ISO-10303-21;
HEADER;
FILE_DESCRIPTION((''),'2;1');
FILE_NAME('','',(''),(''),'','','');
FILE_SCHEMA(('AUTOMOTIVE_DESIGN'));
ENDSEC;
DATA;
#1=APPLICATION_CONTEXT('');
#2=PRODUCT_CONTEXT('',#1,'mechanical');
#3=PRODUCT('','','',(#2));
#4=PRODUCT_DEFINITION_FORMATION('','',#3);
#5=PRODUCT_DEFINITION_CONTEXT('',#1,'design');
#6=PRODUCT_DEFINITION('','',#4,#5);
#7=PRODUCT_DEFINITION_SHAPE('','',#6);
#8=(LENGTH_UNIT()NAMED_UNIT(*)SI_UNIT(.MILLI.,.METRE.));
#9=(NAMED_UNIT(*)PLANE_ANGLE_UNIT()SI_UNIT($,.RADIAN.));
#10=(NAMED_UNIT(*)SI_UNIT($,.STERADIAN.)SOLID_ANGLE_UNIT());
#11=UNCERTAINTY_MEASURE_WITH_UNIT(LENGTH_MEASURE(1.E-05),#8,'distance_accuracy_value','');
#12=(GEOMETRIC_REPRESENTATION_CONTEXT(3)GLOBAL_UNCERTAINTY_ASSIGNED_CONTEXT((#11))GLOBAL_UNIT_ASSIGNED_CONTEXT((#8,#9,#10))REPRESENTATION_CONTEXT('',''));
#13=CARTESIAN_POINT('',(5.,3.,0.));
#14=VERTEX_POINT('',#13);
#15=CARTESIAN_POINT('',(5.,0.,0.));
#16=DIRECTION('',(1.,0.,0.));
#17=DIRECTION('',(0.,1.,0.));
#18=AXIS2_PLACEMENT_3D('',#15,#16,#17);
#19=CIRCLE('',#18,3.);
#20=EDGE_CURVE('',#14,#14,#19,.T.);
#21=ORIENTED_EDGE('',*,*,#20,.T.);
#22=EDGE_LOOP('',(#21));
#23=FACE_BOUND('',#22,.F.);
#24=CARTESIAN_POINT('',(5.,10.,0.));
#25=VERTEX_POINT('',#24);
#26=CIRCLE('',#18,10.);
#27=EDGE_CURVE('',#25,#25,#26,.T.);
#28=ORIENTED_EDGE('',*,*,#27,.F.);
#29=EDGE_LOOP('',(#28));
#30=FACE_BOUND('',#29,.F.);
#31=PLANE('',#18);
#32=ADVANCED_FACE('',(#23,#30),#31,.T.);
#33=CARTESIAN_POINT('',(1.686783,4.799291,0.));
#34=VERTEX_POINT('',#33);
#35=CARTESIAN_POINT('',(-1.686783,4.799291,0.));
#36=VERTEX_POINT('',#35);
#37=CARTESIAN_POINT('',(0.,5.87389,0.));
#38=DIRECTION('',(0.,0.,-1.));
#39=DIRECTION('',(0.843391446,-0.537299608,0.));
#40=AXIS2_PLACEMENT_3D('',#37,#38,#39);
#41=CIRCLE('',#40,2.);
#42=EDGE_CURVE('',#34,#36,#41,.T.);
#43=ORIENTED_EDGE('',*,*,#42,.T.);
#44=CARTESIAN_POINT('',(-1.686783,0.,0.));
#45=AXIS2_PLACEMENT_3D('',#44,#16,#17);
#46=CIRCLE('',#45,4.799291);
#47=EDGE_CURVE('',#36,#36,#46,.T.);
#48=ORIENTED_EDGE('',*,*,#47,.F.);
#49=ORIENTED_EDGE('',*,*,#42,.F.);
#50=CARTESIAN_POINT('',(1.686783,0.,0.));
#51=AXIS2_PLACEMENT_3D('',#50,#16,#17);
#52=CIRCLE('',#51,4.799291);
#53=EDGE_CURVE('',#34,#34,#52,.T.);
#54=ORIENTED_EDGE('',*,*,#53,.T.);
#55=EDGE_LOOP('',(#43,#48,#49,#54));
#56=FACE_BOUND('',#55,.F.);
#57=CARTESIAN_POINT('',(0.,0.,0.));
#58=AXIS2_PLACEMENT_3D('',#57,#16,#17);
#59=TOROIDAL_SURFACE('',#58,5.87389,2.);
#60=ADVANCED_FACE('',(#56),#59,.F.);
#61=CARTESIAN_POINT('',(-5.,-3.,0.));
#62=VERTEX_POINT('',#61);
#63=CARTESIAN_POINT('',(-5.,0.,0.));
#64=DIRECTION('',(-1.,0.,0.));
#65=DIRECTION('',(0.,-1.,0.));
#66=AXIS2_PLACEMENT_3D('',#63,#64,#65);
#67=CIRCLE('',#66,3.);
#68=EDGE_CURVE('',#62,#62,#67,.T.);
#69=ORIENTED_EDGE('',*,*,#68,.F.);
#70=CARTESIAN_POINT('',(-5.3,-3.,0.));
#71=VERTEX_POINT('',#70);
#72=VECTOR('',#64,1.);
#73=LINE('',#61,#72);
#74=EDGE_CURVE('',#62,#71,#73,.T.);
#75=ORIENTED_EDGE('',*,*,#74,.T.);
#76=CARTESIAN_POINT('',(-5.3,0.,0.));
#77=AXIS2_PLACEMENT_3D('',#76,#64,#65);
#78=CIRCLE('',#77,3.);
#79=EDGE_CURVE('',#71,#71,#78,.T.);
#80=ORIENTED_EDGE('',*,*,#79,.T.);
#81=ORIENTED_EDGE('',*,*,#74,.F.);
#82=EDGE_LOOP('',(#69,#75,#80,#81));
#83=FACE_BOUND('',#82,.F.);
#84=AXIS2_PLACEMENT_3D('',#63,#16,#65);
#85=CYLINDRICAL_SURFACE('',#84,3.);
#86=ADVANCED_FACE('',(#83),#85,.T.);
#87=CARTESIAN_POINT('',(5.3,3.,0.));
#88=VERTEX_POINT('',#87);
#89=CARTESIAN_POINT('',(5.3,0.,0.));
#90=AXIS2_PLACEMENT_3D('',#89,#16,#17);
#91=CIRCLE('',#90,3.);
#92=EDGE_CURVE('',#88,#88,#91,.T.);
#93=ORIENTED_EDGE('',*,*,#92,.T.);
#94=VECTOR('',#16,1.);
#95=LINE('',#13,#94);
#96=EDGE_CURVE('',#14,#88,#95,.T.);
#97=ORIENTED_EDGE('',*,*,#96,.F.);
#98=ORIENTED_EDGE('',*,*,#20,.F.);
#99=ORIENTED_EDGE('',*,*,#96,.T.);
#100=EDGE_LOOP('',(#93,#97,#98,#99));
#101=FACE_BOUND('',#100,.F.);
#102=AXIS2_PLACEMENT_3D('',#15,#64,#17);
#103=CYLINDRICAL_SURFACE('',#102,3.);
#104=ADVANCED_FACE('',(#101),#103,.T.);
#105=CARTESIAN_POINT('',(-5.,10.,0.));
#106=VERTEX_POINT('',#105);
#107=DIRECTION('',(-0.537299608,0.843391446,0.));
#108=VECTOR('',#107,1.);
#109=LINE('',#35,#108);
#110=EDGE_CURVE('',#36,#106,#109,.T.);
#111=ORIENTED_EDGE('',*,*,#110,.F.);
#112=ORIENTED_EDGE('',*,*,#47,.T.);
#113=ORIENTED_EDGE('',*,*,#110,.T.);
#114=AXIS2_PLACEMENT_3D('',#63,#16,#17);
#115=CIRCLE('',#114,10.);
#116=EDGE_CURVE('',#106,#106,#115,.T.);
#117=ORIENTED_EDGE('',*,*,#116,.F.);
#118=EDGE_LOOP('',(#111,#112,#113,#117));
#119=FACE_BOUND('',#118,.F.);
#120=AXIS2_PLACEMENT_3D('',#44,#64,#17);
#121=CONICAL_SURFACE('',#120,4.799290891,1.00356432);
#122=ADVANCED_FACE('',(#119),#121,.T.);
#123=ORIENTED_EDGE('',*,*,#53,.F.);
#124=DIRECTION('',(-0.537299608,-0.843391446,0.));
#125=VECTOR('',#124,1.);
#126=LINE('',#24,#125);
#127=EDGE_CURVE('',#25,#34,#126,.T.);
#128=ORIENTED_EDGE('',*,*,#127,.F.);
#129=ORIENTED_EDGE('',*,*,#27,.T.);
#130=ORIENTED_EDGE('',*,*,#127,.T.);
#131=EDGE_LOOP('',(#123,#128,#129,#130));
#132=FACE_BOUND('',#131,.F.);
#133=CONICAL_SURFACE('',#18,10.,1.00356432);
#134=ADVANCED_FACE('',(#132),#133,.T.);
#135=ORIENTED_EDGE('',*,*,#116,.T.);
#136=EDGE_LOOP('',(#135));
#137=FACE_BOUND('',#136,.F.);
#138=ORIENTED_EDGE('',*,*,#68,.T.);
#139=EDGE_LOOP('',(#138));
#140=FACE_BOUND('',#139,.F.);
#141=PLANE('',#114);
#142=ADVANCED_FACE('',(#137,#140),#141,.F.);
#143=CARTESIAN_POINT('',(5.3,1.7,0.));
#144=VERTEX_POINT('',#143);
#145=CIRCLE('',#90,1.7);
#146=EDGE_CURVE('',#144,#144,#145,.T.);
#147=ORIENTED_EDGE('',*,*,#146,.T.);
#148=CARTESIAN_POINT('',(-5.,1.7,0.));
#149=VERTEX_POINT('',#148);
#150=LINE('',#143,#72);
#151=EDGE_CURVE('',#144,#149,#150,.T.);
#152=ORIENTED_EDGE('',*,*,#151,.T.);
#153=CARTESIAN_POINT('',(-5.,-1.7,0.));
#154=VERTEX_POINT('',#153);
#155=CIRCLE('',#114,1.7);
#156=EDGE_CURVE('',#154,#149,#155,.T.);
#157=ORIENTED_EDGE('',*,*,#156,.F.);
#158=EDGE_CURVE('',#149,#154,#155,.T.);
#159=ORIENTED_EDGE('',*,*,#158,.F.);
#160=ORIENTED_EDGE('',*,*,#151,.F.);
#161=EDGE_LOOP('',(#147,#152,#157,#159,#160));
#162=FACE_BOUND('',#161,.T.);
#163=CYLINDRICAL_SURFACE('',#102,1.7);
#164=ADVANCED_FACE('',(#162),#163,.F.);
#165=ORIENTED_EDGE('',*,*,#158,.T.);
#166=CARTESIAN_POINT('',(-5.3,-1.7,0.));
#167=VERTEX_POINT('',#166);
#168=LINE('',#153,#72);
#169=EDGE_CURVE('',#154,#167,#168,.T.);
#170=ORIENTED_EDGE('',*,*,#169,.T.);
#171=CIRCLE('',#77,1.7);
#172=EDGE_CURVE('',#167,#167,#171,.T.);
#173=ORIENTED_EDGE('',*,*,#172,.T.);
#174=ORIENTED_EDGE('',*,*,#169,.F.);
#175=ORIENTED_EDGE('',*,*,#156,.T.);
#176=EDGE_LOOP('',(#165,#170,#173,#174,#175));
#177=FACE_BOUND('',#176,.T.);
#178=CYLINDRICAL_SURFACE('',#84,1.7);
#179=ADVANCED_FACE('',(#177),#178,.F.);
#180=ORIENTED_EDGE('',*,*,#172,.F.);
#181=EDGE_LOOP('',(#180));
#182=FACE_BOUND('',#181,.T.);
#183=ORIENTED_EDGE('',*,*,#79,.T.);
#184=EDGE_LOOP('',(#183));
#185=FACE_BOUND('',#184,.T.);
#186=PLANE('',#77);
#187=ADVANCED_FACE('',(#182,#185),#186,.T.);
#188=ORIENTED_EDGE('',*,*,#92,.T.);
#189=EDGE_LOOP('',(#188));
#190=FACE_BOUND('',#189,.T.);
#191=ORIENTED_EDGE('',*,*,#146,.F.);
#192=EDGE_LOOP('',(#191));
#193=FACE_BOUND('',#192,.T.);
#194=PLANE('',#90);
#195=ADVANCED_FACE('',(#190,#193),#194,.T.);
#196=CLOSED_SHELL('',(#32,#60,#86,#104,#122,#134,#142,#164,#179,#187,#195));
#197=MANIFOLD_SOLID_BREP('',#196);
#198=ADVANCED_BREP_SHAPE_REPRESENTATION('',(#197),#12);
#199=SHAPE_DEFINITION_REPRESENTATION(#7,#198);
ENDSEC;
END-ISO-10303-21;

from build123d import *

# Parameters (mm, degrees)
F3_ANGLE = 90
F4_R     = 3
F4_R_2   = 1.7
F5_DEPTH = 0.3
F6_R     = 3
F6_R_2   = 1.7
F7_DEPTH = 0.3


with BuildPart() as f2:
    # F0 (on Front) → F2 (revolve)
    with BuildSketch(Plane.XZ):
        with BuildLine():
            Line((-5, 10), (-5, 1.7))
            Line((-5, 1.7), (5, 1.7))
            Line((5, 1.7), (5, 10))
            Line((5, 10), (1.6867828916, 4.7992908911))
            ThreePointArc((1.6867828916, 4.7992908911), (0, 3.8738901078), (-1.6867828916, 4.7992908911))
            Line((-1.6867828916, 4.7992908911), (-5, 10))
        make_face()
    revolve(axis=Axis((0, 0, 0), (1, 0, 0)))


with BuildPart() as f2_1:
    # F3: moved
    add(f2.part.rotate(Axis((-13.5274957865, 0, 0), (-1, 0, 0)), F3_ANGLE))

    # F4 (on face) → F5 (join)
    with BuildSketch(Plane.YZ.offset(5)):
        Circle(F4_R)
        Circle(F4_R_2, mode=Mode.SUBTRACT)
    extrude(amount=F5_DEPTH)

    # F6 (on face) → F7 (join)
    with BuildSketch(Plane(origin=(-5, 0, 0), x_dir=(0, -1, 0), z_dir=(-1, 0, 0))):
        Circle(F6_R)
        Circle(F6_R_2, mode=Mode.SUBTRACT)
    extrude(amount=F7_DEPTH)


solid = f2_1.part
